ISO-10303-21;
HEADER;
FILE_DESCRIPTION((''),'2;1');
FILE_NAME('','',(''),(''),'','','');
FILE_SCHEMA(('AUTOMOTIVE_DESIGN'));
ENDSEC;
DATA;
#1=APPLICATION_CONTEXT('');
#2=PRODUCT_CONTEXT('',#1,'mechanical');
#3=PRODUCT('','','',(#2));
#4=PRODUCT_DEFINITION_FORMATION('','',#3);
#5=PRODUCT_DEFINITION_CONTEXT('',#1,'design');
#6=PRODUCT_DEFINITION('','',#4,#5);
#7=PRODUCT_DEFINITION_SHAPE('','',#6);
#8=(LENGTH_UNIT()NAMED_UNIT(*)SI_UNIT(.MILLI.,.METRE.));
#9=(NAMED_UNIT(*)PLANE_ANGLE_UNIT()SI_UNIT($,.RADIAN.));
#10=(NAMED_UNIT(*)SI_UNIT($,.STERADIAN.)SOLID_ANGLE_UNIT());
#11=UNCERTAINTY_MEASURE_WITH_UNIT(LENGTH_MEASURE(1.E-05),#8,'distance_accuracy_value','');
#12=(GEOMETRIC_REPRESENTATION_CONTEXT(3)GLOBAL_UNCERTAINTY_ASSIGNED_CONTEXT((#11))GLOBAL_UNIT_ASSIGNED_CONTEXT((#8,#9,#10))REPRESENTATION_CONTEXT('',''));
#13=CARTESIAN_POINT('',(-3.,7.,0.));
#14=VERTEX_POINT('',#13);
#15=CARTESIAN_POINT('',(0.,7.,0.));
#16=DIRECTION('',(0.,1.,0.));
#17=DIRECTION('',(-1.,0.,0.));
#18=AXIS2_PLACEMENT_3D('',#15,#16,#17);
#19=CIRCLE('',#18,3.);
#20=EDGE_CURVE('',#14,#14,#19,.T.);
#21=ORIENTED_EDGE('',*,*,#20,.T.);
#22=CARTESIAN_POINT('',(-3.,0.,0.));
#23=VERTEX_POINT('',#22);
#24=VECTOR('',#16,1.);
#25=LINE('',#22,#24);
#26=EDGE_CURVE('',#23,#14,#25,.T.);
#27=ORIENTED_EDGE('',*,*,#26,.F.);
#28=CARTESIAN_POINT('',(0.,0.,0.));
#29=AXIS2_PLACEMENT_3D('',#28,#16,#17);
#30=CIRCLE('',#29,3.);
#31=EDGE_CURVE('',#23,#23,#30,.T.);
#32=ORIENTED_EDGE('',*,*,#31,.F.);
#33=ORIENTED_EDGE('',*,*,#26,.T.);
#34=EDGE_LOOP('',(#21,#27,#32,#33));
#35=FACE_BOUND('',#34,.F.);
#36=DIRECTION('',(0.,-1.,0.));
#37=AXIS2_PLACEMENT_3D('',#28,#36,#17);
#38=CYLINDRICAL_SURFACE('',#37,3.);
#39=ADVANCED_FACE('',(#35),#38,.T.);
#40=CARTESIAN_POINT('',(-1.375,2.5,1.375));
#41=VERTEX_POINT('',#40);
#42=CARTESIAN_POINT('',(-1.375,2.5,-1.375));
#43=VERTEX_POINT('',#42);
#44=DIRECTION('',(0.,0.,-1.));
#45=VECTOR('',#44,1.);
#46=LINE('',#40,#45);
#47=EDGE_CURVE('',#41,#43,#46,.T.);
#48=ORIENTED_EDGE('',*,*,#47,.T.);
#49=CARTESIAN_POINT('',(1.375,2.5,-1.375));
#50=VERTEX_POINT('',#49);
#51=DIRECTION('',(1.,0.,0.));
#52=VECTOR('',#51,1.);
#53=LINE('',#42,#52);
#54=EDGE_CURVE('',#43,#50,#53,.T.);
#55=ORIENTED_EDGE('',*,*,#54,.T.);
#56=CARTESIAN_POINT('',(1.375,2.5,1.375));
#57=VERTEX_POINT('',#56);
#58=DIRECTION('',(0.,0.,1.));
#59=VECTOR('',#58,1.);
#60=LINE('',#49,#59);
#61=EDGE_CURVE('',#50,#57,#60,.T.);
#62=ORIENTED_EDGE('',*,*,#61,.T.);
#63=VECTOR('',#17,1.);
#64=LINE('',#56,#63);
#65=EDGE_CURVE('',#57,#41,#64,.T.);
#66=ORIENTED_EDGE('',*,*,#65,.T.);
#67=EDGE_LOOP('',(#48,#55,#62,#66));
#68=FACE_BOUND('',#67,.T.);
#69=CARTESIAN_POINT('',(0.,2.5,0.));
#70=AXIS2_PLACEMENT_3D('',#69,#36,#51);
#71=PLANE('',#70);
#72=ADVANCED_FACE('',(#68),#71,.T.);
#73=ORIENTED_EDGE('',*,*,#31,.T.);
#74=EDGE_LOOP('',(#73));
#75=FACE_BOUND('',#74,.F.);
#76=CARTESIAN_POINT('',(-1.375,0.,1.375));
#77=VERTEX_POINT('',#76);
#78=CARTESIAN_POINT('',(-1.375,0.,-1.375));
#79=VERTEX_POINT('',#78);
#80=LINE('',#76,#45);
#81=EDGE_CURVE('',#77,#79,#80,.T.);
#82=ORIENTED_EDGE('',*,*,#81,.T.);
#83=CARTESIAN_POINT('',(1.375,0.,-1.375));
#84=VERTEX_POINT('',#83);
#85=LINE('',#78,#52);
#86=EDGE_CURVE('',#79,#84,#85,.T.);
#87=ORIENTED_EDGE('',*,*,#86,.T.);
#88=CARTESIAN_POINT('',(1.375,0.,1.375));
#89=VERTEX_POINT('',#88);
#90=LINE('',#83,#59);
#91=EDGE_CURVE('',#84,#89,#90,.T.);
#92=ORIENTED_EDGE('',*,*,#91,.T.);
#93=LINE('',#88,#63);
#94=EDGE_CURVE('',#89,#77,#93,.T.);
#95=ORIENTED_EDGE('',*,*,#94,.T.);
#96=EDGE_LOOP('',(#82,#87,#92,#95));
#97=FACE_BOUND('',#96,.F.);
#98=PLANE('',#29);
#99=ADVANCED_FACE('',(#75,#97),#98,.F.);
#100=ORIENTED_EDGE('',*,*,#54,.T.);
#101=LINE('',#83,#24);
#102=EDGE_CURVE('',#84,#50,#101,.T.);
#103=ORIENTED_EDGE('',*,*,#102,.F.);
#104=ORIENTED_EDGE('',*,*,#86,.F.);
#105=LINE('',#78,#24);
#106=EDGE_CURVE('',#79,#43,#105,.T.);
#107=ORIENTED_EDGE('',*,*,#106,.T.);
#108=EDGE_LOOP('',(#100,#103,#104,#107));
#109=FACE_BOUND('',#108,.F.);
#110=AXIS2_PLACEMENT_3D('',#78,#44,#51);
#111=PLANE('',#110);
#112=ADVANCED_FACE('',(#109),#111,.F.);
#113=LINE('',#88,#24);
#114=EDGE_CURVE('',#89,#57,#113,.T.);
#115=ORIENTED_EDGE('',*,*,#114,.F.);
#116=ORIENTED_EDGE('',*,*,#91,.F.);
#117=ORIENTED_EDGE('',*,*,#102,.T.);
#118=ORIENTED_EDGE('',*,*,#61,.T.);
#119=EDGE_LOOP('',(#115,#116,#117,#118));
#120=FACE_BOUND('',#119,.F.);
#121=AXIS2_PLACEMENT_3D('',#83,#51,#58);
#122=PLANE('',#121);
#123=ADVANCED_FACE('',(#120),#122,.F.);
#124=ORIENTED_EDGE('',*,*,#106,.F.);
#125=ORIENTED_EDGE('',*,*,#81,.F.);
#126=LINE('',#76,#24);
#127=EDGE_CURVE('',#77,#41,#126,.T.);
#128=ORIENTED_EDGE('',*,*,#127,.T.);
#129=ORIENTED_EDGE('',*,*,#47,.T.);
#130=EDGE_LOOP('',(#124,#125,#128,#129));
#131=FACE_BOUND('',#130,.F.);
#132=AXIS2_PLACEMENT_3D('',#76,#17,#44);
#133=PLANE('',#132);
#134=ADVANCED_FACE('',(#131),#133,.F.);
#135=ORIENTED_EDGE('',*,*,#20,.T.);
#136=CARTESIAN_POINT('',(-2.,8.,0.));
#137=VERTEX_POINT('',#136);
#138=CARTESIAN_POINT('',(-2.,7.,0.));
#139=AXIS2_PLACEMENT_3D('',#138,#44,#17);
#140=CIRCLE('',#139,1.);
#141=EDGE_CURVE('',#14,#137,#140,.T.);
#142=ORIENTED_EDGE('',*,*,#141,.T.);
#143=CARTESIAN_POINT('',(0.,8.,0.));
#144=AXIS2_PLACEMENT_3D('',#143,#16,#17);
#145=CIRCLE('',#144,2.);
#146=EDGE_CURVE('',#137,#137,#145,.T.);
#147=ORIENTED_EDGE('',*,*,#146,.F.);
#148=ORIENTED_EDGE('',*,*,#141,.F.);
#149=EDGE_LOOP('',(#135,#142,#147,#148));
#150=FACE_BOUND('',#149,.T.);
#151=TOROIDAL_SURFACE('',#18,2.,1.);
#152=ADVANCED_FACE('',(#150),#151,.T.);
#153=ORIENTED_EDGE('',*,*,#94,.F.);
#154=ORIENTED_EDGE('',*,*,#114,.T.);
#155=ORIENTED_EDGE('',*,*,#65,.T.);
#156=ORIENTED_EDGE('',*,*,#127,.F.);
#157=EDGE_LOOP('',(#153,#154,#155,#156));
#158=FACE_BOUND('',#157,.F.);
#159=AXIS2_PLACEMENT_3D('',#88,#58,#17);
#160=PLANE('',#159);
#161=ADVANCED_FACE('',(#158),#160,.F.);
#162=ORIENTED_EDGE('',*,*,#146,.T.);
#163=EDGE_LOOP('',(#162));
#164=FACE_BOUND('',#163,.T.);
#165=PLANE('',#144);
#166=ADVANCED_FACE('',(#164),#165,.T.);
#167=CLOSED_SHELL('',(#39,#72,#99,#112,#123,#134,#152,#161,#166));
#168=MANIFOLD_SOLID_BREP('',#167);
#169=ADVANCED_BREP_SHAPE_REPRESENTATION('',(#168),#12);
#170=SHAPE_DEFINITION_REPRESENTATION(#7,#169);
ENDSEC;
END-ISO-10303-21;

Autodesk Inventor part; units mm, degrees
ref_plane "YZ Plane" through (0, 0, 0) normal (1, 0, 0) x (0, 1, 0)
ref_plane "XZ Plane" through (0, 0, 0) normal (0, 1, 0) x (-1, 0, 0)
ref_plane "XY Plane" through (0, 0, 0) normal (0, 0, 1) x (1, 0, 0)
sketch "Sketch1" plane through (0, 0, 0) normal (0, 1, 0) x (-1, 0, 0)
  circle A0 centre (0, 0) radius 3
  dimension "d0" = 6
extrude "Extrusion1" add sketch "Sketch1" along normal blind 8
sketch "Sketch2" plane through (0, 0, 0) normal (0, -1, 0) x (1, 0, 0)
  line L0 (-1.375, -1.375) -> (1.375, -1.375)
  line L1 (1.375, -1.375) -> (1.375, 1.375)
  line L2 (1.375, 1.375) -> (-1.375, 1.375)
  line L3 (-1.375, 1.375) -> (-1.375, -1.375)
  line L4 (-1.375, -1.375) -> (1.375, 1.375) construction
  line L5 (1.375, -1.375) -> (-1.375, 1.375) construction
  point P0 (0, 0)
  dimension "d3" = 2.75
  dimension "d4" = 2.75
extrude "Extrusion2" cut sketch "Sketch2" against normal blind 2.5
fillet "Fillet1" radius 1 1 edges at (3, 8, 0)
properties part number "Button"
